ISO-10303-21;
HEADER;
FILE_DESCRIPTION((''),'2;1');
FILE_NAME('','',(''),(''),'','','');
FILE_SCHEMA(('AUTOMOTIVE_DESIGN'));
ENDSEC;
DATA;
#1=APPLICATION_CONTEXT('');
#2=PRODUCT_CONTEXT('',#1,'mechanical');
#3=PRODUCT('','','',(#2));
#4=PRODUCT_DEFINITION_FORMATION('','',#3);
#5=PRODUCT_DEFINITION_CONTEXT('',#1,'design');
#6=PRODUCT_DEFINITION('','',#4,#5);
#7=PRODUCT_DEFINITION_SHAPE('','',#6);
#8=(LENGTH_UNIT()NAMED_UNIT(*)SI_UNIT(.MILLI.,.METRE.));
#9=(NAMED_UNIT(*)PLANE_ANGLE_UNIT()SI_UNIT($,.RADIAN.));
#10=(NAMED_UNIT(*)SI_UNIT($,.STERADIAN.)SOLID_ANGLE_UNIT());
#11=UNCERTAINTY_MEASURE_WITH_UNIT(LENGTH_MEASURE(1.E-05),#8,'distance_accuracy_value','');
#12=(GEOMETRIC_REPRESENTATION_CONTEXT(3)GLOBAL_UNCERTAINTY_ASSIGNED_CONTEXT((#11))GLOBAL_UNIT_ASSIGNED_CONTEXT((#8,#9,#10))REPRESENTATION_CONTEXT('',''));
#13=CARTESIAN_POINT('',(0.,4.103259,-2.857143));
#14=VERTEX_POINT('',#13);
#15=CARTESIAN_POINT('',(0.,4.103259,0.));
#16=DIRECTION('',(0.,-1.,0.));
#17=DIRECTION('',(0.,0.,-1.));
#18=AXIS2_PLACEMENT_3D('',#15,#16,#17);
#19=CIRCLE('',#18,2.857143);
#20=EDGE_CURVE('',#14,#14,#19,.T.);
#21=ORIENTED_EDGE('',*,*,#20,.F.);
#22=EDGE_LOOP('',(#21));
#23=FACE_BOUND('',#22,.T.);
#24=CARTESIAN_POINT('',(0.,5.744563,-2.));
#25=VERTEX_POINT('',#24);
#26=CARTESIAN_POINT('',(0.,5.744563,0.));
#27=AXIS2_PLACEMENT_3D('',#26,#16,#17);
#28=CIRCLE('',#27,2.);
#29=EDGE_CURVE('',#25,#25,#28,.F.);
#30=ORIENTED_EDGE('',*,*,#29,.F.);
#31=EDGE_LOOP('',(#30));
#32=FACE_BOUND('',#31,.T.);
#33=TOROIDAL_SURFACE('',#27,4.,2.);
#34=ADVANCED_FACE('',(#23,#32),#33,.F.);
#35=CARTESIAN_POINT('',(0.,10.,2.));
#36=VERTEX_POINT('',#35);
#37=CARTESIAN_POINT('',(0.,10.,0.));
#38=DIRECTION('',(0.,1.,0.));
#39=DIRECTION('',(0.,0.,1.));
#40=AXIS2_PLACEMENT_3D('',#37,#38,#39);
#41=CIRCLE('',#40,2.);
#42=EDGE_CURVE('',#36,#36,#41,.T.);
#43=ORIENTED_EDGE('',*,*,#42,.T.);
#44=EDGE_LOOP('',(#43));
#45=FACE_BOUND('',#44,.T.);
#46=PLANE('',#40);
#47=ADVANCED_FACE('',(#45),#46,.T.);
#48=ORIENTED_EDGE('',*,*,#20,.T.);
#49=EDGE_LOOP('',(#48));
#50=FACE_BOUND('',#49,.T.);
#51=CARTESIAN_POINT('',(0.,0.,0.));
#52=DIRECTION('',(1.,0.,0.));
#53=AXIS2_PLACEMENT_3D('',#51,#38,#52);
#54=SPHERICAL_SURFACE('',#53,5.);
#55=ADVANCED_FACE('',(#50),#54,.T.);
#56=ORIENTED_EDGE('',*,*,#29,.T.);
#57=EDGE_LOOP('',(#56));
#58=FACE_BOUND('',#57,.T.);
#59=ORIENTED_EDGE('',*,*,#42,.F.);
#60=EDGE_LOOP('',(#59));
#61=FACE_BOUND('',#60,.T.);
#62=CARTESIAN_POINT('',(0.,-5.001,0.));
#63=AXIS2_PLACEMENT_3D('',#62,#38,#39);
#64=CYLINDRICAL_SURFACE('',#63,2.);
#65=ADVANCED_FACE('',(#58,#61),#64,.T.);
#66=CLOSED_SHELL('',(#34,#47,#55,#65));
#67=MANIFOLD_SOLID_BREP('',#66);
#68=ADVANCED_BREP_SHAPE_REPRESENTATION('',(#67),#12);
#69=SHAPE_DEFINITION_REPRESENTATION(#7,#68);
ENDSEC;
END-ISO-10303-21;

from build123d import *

# Parameters (mm, degrees)
BOSS_EXTRUDE2_REACH      = 18.583
BOSS_EXTRUDE2_END_RADIUS = 5
SKETCH2_R                = 2
FILLET1_R                = 2


with BuildPart() as part:
    # Sketch1 → Revolve1 (revolve)
    with BuildSketch(Plane.XY):
        with BuildLine():
            Line((0, 5), (0, -5))
            ThreePointArc((0, -5), (-5, 0), (0, 5))
        make_face()
    revolve(axis=Axis((0, 5, 0), (0, -1, 0)))

    # Boss-Extrude2: up to this sphere (the profile starts outside it)
    boss_extrude2_end = Location((0, 0, 0)) * Sphere(BOSS_EXTRUDE2_END_RADIUS, mode=Mode.PRIVATE)
    # Sketch2 → Boss-Extrude2 (add, up to the surface)
    with BuildSketch(Plane(origin=(0, 10, 0), x_dir=(1, 0, 0), z_dir=(0, 1, 0)), mode=Mode.PRIVATE) as boss_extrude2_sk1:
        with Locations(Location((0, 0, 0), (0, 0, 270))):
            Circle(SKETCH2_R)
    boss_extrude2_tool1 = extrude(boss_extrude2_sk1.sketch, amount=-BOSS_EXTRUDE2_REACH, mode=Mode.PRIVATE) - boss_extrude2_end
    add(boss_extrude2_tool1.solids().sort_by_distance((0, 10, 0))[0])

    # Fillet1
    fillet1_edges = [part.edges().sort_by_distance(p)[0] for p in [
        (1.414213562, 4.582575695, -1.414213562),
    ]]
    fillet(fillet1_edges, radius=FILLET1_R)


solid = part.part
